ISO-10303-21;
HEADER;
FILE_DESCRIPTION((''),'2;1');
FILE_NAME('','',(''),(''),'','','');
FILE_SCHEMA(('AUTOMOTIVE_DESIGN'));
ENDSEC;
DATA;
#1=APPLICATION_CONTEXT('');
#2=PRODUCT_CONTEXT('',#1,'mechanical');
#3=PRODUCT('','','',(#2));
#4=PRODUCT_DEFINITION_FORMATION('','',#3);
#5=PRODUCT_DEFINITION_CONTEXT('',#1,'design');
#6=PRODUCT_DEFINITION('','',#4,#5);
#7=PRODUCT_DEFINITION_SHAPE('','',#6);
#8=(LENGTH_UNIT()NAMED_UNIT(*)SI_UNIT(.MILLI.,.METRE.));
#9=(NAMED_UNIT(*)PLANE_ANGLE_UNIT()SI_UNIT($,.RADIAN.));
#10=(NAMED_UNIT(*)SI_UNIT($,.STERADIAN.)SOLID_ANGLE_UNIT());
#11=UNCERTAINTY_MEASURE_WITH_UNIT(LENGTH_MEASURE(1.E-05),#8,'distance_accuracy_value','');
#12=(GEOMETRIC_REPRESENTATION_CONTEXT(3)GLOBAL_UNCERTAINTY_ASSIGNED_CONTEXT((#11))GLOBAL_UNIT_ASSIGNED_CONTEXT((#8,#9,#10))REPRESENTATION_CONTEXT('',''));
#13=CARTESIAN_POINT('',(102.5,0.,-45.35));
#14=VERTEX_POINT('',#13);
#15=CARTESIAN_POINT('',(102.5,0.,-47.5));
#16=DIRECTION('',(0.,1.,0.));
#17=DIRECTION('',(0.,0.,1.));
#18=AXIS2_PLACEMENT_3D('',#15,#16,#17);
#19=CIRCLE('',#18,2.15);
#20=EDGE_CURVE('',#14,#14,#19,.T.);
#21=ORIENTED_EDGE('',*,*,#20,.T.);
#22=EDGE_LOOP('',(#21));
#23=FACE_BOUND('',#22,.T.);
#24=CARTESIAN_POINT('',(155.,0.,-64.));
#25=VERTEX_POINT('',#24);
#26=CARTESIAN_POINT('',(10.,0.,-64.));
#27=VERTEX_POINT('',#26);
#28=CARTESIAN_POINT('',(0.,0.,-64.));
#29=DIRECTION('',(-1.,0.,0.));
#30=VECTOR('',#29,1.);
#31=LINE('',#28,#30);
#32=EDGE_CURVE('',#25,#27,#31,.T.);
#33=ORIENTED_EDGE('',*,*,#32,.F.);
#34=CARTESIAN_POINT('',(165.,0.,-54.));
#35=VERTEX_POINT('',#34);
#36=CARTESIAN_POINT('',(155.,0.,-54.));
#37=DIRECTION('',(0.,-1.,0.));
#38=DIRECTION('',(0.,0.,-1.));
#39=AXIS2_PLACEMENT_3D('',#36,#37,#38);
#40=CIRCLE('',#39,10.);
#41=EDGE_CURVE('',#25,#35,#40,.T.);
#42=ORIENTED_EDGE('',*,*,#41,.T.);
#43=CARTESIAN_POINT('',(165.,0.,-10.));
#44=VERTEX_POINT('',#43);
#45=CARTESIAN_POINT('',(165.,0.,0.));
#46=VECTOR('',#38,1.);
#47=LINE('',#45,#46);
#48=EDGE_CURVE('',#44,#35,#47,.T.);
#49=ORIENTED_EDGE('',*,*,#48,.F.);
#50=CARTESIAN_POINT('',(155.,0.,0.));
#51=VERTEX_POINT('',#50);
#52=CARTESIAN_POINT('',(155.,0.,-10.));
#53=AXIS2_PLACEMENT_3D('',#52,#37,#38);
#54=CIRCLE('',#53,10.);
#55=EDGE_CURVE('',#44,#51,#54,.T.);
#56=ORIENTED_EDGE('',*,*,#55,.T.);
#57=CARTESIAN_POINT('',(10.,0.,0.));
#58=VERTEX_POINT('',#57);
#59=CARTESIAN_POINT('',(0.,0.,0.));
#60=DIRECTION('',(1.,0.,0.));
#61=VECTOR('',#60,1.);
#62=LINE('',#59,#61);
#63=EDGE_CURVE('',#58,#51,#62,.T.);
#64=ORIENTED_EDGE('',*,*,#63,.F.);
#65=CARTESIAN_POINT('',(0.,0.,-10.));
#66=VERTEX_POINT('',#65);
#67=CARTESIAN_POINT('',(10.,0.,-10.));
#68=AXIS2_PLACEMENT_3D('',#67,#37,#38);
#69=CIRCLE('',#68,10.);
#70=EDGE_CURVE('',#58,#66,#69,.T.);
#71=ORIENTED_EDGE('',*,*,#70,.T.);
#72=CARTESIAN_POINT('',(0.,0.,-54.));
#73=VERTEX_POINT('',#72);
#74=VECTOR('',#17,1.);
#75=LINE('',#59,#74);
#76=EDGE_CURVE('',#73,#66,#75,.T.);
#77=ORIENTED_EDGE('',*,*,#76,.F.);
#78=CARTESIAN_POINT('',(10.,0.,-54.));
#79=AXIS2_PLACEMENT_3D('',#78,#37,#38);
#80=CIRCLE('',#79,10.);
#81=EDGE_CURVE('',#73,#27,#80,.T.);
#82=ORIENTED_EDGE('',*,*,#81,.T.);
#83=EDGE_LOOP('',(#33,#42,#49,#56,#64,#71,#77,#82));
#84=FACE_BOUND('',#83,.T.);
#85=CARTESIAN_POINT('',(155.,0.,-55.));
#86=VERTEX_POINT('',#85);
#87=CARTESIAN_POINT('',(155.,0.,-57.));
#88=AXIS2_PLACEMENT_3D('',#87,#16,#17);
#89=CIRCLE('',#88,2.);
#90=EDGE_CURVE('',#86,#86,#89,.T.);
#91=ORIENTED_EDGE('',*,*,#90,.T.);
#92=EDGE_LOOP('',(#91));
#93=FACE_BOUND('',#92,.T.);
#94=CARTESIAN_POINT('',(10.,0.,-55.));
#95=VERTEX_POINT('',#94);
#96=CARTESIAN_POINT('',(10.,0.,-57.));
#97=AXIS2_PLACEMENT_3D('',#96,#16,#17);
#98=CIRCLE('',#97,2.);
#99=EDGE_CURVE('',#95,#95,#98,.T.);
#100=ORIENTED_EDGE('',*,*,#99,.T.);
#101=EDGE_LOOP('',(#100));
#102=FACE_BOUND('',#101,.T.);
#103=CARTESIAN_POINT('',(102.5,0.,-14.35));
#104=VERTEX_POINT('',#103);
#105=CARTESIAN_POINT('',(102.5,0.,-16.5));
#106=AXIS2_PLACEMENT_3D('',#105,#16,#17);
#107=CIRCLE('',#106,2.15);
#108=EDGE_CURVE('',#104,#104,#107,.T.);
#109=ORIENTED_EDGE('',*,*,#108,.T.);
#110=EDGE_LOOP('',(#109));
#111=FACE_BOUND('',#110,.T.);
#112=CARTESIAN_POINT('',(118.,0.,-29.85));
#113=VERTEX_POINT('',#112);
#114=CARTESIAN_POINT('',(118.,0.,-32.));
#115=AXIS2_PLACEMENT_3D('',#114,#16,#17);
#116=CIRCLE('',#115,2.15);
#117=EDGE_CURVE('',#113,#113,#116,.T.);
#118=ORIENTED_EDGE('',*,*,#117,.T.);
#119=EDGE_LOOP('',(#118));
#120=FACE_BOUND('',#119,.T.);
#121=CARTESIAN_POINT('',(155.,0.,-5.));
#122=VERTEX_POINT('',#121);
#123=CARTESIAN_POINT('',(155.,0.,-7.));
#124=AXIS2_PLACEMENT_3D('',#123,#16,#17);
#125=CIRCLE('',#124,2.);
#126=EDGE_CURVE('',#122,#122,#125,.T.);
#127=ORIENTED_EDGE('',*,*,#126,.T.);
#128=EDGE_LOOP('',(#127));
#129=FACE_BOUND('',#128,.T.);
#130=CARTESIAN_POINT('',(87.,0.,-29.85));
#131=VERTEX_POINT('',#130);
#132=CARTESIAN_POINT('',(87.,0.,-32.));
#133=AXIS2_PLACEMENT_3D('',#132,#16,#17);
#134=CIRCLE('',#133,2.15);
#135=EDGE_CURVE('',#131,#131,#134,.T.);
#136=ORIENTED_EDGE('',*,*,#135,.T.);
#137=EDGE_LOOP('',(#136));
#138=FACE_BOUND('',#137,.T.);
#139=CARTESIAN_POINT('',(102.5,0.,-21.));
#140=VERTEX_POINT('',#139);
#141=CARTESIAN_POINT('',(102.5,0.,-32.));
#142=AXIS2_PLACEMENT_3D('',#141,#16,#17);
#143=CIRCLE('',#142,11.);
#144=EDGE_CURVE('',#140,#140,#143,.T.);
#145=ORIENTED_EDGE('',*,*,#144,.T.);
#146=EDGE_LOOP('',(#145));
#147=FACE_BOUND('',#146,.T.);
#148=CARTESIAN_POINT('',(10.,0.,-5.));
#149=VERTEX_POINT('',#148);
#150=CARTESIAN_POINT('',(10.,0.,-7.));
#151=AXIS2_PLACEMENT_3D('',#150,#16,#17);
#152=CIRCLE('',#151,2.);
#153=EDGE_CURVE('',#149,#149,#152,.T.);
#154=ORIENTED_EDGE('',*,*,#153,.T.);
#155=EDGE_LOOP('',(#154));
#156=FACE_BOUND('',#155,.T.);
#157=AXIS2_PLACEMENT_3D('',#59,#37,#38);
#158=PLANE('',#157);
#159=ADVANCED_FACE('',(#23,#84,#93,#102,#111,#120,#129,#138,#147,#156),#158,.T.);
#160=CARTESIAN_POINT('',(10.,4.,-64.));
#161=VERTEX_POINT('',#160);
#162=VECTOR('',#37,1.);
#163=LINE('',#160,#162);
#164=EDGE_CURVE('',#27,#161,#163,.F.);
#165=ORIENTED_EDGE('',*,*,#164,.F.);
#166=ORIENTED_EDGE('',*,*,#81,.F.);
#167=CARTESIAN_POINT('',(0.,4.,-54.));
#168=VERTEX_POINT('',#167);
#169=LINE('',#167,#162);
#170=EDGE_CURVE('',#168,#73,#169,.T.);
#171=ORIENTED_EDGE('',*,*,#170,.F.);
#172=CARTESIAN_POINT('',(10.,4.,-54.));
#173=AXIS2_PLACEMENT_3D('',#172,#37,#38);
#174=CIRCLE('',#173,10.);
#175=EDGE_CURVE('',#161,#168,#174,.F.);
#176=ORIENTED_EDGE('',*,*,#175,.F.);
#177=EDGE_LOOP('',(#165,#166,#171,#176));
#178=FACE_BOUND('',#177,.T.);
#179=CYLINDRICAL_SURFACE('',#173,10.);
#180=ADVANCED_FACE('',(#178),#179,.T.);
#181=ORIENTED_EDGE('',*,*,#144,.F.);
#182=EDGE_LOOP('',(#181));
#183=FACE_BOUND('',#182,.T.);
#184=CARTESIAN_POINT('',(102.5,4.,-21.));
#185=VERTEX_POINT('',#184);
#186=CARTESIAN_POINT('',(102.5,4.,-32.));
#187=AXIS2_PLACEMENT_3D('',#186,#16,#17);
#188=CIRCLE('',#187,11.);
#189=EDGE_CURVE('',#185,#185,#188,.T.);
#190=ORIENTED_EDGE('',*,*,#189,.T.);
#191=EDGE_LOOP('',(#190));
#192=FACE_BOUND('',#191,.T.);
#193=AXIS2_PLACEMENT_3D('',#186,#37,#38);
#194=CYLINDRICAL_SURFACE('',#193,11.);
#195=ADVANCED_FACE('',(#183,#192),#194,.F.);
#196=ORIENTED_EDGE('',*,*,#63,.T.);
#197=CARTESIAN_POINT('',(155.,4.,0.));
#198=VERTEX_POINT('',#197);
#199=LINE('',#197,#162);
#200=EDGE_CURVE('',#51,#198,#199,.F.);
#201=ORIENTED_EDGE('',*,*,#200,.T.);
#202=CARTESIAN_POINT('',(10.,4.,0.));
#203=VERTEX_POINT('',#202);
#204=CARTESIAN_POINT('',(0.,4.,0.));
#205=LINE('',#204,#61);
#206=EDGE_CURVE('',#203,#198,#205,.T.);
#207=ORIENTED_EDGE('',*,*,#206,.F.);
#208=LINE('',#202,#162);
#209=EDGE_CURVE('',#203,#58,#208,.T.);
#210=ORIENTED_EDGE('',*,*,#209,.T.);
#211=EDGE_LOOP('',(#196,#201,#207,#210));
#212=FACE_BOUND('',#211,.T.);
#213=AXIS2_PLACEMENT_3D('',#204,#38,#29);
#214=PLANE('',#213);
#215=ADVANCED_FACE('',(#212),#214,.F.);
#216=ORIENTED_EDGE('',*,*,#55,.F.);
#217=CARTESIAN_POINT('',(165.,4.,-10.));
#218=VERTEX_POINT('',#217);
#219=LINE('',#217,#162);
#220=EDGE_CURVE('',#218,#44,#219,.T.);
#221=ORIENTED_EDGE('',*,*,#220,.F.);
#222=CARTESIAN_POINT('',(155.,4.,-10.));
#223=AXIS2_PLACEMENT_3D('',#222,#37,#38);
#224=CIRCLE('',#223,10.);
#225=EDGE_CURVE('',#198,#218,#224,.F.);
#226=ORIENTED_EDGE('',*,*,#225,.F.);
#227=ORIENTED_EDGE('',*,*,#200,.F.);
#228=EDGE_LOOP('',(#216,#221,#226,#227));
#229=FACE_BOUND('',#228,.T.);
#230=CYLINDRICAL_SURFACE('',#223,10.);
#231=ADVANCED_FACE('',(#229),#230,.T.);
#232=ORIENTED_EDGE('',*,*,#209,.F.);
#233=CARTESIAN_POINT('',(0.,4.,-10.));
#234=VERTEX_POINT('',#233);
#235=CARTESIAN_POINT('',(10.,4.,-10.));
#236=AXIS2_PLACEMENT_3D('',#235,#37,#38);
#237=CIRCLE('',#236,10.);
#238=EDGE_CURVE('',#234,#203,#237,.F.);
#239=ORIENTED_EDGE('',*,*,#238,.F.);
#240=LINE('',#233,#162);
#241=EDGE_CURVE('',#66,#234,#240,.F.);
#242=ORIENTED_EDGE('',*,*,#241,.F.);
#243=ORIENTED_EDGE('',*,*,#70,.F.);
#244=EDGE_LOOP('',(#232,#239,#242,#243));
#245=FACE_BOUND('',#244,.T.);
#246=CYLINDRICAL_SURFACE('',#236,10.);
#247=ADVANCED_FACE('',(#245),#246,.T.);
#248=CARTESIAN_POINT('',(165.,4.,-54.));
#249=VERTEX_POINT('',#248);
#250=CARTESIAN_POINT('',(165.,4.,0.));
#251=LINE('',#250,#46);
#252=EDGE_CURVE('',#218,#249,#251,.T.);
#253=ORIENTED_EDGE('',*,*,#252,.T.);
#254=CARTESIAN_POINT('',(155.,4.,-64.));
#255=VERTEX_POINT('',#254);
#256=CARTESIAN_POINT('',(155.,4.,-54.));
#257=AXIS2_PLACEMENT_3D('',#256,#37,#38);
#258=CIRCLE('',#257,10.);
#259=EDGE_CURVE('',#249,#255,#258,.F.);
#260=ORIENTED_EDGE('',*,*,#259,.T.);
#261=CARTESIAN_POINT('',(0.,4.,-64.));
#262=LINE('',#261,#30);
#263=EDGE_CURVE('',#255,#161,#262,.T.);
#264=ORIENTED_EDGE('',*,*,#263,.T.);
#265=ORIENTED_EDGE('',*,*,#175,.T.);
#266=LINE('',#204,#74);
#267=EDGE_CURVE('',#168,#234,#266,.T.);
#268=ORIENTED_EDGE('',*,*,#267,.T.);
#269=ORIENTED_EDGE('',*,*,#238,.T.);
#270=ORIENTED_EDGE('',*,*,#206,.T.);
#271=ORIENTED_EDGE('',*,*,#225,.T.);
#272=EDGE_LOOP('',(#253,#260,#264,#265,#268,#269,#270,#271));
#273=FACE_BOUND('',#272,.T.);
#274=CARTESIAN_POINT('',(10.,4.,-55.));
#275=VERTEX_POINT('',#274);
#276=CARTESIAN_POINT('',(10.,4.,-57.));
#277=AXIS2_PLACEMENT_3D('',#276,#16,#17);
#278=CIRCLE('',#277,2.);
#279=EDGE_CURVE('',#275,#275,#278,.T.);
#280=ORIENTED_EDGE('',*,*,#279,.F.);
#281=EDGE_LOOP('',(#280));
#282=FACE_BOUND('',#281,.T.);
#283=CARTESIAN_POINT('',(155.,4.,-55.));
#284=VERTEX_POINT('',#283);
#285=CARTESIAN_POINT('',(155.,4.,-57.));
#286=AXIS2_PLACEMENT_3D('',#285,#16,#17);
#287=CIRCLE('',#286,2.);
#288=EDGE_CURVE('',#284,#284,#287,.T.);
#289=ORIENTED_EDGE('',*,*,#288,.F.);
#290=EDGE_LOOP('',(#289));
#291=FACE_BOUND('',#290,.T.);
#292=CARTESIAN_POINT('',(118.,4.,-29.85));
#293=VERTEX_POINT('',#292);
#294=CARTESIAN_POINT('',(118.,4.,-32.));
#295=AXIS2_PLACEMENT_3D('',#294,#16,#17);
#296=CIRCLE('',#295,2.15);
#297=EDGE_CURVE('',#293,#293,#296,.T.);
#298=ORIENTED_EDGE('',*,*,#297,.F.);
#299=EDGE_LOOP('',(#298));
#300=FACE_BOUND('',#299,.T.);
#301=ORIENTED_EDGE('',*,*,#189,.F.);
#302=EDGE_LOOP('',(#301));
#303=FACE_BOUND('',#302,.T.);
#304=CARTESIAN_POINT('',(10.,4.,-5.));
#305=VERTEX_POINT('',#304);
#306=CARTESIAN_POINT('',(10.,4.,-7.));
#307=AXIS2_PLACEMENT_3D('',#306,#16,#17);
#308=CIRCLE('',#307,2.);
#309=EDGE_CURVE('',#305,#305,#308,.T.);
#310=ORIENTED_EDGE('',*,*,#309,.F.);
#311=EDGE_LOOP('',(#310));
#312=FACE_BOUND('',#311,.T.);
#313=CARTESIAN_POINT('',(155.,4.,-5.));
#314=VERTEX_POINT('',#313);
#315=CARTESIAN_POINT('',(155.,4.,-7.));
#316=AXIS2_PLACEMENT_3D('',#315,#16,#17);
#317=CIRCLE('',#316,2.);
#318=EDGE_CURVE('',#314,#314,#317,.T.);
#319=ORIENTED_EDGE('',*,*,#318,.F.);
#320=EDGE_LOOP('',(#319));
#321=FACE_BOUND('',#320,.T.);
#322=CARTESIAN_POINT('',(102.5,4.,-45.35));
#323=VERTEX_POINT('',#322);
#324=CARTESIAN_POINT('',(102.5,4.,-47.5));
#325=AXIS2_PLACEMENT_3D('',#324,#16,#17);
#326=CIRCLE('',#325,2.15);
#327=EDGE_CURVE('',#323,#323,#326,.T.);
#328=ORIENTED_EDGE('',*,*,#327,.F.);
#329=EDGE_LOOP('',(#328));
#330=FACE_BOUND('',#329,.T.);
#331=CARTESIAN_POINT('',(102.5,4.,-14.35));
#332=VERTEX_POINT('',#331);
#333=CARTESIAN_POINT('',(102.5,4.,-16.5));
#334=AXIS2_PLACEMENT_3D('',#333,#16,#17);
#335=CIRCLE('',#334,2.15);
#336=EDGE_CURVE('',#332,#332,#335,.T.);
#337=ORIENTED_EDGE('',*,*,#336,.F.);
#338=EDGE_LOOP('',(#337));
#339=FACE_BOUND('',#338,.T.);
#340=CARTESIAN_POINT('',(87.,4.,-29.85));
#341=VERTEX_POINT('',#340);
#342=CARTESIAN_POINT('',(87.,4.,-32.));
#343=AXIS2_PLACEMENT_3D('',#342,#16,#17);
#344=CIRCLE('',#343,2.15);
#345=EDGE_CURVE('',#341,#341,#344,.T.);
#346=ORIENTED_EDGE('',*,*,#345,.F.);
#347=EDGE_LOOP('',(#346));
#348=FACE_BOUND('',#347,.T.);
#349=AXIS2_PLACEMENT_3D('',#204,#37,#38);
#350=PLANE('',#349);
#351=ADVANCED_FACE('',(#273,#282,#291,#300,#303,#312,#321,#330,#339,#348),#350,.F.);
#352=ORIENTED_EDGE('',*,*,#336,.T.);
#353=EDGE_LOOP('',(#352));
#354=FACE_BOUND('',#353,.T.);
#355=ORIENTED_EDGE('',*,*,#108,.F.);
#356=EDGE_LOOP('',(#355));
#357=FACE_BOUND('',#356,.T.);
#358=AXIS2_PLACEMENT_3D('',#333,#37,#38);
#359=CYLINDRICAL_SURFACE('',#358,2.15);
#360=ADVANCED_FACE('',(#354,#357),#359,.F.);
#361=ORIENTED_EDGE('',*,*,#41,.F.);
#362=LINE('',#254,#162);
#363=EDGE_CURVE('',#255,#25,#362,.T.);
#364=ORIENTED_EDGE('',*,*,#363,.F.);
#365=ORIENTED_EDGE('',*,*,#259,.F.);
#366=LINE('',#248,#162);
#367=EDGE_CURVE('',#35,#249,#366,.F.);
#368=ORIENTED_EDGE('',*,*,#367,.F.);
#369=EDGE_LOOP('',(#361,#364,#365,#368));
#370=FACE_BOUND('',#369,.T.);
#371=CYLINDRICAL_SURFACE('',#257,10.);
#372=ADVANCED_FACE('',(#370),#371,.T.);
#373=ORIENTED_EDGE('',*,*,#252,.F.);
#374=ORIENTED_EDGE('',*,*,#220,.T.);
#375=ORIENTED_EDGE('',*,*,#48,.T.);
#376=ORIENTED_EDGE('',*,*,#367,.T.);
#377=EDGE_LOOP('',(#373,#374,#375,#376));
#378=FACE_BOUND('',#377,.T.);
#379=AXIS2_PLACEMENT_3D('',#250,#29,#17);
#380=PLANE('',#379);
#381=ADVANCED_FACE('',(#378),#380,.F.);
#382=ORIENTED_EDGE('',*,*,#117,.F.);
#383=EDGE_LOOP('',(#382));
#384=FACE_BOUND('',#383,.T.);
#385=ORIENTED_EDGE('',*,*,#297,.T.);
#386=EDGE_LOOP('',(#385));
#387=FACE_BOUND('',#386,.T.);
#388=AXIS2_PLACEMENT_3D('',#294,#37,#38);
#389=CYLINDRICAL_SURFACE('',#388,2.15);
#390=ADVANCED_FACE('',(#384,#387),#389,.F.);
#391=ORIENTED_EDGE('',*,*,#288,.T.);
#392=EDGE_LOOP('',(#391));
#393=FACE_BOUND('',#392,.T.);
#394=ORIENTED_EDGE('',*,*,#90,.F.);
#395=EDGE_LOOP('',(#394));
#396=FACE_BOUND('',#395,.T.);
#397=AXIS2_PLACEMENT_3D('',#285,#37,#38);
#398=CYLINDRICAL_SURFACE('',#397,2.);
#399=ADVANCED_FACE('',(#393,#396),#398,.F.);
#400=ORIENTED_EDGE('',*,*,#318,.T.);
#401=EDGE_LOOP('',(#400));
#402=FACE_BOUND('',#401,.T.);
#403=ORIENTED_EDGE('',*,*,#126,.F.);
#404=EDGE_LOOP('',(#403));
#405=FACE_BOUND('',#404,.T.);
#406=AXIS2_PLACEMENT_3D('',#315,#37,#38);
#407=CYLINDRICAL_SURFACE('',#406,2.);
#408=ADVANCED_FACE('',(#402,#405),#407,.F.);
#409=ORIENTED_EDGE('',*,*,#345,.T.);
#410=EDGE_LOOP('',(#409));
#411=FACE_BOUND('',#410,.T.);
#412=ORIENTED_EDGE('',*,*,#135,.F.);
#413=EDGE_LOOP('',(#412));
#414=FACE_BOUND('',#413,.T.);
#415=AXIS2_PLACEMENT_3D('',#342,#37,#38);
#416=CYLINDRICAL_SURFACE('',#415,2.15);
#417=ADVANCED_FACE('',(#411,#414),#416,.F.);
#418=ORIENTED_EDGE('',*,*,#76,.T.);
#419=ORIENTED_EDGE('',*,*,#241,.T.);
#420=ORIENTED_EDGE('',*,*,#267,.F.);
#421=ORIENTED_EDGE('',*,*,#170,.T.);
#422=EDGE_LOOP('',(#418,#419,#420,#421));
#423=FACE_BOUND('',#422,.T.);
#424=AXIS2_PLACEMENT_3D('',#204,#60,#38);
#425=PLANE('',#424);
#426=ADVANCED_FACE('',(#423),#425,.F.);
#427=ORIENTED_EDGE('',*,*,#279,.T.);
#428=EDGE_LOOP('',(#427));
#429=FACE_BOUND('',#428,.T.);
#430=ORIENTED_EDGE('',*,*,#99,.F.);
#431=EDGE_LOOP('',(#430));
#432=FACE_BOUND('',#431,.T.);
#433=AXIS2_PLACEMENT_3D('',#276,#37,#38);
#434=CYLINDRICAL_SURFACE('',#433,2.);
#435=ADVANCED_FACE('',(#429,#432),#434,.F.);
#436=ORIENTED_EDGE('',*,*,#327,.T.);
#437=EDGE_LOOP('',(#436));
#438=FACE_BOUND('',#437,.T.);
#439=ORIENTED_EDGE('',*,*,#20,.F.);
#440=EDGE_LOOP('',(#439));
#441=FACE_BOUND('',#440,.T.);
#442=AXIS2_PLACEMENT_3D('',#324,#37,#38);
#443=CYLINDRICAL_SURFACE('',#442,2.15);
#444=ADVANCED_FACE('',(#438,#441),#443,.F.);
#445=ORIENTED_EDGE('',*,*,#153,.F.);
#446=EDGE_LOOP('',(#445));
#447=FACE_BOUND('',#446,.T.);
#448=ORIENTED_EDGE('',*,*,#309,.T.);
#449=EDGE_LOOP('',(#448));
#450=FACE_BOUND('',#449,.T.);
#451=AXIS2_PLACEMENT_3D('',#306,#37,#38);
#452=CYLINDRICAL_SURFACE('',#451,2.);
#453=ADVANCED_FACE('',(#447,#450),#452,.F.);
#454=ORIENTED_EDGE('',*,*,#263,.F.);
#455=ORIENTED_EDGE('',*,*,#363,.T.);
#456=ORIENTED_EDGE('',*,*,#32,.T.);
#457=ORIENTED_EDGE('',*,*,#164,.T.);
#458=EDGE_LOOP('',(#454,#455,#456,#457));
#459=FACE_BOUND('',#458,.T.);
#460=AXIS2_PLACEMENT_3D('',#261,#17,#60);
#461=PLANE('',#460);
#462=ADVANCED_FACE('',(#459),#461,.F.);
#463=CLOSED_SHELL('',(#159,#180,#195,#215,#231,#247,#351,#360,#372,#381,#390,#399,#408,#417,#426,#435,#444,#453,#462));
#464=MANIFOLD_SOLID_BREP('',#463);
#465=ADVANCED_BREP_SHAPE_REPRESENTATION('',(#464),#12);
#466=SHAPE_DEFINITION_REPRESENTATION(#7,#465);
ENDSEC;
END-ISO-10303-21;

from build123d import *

# Parameters (mm, degrees)
SKETCH_1_W      = 165
SKETCH_1_H      = 64
SKETCH_1_R      = 2
SKETCH_1_R_2    = 2.15
SKETCH_1_R_3    = 11
EXTRUDE_1_DEPTH = 4
FILLET_1_R      = 10


with BuildPart() as part:
    # 草图1 → 凸台-拉伸1 (new body)
    with BuildSketch(Plane(origin=(0, 0, 0), x_dir=(1, 0, 0), z_dir=(0, 1, 0))):
        with Locations((82.5, 32)):
            Rectangle(SKETCH_1_W, SKETCH_1_H)
        with Locations(Location((10, 57, 0), (0, 0, 270))):
            Circle(SKETCH_1_R, mode=Mode.SUBTRACT)
        with Locations(Location((155, 57, 0), (0, 0, 270))):
            Circle(SKETCH_1_R, mode=Mode.SUBTRACT)
        with Locations(Location((155, 7, 0), (0, 0, 270))):
            Circle(SKETCH_1_R, mode=Mode.SUBTRACT)
        with Locations(Location((10, 7, 0), (0, 0, 270))):
            Circle(SKETCH_1_R, mode=Mode.SUBTRACT)
        with Locations(Location((102.5, 47.5, 0), (0, 0, 270))):
            Circle(SKETCH_1_R_2, mode=Mode.SUBTRACT)
        with Locations(Location((87, 32, 0), (0, 0, 270))):
            Circle(SKETCH_1_R_2, mode=Mode.SUBTRACT)
        with Locations(Location((102.5, 16.5, 0), (0, 0, 270))):
            Circle(SKETCH_1_R_2, mode=Mode.SUBTRACT)
        with Locations(Location((118, 32, 0), (0, 0, 270))):
            Circle(SKETCH_1_R_2, mode=Mode.SUBTRACT)
        with Locations(Location((102.5, 32, 0), (0, 0, 270))):
            Circle(SKETCH_1_R_3, mode=Mode.SUBTRACT)
    extrude(amount=EXTRUDE_1_DEPTH)

    # 圆角1
    fillet_1_edges = [part.edges().sort_by_distance(p)[0] for p in [
        (0, 2, -64),
        (165, 2, -64),
        (165, 2, 0),
        (0, 2, 0),
    ]]
    fillet(fillet_1_edges, radius=FILLET_1_R)


solid = part.part
